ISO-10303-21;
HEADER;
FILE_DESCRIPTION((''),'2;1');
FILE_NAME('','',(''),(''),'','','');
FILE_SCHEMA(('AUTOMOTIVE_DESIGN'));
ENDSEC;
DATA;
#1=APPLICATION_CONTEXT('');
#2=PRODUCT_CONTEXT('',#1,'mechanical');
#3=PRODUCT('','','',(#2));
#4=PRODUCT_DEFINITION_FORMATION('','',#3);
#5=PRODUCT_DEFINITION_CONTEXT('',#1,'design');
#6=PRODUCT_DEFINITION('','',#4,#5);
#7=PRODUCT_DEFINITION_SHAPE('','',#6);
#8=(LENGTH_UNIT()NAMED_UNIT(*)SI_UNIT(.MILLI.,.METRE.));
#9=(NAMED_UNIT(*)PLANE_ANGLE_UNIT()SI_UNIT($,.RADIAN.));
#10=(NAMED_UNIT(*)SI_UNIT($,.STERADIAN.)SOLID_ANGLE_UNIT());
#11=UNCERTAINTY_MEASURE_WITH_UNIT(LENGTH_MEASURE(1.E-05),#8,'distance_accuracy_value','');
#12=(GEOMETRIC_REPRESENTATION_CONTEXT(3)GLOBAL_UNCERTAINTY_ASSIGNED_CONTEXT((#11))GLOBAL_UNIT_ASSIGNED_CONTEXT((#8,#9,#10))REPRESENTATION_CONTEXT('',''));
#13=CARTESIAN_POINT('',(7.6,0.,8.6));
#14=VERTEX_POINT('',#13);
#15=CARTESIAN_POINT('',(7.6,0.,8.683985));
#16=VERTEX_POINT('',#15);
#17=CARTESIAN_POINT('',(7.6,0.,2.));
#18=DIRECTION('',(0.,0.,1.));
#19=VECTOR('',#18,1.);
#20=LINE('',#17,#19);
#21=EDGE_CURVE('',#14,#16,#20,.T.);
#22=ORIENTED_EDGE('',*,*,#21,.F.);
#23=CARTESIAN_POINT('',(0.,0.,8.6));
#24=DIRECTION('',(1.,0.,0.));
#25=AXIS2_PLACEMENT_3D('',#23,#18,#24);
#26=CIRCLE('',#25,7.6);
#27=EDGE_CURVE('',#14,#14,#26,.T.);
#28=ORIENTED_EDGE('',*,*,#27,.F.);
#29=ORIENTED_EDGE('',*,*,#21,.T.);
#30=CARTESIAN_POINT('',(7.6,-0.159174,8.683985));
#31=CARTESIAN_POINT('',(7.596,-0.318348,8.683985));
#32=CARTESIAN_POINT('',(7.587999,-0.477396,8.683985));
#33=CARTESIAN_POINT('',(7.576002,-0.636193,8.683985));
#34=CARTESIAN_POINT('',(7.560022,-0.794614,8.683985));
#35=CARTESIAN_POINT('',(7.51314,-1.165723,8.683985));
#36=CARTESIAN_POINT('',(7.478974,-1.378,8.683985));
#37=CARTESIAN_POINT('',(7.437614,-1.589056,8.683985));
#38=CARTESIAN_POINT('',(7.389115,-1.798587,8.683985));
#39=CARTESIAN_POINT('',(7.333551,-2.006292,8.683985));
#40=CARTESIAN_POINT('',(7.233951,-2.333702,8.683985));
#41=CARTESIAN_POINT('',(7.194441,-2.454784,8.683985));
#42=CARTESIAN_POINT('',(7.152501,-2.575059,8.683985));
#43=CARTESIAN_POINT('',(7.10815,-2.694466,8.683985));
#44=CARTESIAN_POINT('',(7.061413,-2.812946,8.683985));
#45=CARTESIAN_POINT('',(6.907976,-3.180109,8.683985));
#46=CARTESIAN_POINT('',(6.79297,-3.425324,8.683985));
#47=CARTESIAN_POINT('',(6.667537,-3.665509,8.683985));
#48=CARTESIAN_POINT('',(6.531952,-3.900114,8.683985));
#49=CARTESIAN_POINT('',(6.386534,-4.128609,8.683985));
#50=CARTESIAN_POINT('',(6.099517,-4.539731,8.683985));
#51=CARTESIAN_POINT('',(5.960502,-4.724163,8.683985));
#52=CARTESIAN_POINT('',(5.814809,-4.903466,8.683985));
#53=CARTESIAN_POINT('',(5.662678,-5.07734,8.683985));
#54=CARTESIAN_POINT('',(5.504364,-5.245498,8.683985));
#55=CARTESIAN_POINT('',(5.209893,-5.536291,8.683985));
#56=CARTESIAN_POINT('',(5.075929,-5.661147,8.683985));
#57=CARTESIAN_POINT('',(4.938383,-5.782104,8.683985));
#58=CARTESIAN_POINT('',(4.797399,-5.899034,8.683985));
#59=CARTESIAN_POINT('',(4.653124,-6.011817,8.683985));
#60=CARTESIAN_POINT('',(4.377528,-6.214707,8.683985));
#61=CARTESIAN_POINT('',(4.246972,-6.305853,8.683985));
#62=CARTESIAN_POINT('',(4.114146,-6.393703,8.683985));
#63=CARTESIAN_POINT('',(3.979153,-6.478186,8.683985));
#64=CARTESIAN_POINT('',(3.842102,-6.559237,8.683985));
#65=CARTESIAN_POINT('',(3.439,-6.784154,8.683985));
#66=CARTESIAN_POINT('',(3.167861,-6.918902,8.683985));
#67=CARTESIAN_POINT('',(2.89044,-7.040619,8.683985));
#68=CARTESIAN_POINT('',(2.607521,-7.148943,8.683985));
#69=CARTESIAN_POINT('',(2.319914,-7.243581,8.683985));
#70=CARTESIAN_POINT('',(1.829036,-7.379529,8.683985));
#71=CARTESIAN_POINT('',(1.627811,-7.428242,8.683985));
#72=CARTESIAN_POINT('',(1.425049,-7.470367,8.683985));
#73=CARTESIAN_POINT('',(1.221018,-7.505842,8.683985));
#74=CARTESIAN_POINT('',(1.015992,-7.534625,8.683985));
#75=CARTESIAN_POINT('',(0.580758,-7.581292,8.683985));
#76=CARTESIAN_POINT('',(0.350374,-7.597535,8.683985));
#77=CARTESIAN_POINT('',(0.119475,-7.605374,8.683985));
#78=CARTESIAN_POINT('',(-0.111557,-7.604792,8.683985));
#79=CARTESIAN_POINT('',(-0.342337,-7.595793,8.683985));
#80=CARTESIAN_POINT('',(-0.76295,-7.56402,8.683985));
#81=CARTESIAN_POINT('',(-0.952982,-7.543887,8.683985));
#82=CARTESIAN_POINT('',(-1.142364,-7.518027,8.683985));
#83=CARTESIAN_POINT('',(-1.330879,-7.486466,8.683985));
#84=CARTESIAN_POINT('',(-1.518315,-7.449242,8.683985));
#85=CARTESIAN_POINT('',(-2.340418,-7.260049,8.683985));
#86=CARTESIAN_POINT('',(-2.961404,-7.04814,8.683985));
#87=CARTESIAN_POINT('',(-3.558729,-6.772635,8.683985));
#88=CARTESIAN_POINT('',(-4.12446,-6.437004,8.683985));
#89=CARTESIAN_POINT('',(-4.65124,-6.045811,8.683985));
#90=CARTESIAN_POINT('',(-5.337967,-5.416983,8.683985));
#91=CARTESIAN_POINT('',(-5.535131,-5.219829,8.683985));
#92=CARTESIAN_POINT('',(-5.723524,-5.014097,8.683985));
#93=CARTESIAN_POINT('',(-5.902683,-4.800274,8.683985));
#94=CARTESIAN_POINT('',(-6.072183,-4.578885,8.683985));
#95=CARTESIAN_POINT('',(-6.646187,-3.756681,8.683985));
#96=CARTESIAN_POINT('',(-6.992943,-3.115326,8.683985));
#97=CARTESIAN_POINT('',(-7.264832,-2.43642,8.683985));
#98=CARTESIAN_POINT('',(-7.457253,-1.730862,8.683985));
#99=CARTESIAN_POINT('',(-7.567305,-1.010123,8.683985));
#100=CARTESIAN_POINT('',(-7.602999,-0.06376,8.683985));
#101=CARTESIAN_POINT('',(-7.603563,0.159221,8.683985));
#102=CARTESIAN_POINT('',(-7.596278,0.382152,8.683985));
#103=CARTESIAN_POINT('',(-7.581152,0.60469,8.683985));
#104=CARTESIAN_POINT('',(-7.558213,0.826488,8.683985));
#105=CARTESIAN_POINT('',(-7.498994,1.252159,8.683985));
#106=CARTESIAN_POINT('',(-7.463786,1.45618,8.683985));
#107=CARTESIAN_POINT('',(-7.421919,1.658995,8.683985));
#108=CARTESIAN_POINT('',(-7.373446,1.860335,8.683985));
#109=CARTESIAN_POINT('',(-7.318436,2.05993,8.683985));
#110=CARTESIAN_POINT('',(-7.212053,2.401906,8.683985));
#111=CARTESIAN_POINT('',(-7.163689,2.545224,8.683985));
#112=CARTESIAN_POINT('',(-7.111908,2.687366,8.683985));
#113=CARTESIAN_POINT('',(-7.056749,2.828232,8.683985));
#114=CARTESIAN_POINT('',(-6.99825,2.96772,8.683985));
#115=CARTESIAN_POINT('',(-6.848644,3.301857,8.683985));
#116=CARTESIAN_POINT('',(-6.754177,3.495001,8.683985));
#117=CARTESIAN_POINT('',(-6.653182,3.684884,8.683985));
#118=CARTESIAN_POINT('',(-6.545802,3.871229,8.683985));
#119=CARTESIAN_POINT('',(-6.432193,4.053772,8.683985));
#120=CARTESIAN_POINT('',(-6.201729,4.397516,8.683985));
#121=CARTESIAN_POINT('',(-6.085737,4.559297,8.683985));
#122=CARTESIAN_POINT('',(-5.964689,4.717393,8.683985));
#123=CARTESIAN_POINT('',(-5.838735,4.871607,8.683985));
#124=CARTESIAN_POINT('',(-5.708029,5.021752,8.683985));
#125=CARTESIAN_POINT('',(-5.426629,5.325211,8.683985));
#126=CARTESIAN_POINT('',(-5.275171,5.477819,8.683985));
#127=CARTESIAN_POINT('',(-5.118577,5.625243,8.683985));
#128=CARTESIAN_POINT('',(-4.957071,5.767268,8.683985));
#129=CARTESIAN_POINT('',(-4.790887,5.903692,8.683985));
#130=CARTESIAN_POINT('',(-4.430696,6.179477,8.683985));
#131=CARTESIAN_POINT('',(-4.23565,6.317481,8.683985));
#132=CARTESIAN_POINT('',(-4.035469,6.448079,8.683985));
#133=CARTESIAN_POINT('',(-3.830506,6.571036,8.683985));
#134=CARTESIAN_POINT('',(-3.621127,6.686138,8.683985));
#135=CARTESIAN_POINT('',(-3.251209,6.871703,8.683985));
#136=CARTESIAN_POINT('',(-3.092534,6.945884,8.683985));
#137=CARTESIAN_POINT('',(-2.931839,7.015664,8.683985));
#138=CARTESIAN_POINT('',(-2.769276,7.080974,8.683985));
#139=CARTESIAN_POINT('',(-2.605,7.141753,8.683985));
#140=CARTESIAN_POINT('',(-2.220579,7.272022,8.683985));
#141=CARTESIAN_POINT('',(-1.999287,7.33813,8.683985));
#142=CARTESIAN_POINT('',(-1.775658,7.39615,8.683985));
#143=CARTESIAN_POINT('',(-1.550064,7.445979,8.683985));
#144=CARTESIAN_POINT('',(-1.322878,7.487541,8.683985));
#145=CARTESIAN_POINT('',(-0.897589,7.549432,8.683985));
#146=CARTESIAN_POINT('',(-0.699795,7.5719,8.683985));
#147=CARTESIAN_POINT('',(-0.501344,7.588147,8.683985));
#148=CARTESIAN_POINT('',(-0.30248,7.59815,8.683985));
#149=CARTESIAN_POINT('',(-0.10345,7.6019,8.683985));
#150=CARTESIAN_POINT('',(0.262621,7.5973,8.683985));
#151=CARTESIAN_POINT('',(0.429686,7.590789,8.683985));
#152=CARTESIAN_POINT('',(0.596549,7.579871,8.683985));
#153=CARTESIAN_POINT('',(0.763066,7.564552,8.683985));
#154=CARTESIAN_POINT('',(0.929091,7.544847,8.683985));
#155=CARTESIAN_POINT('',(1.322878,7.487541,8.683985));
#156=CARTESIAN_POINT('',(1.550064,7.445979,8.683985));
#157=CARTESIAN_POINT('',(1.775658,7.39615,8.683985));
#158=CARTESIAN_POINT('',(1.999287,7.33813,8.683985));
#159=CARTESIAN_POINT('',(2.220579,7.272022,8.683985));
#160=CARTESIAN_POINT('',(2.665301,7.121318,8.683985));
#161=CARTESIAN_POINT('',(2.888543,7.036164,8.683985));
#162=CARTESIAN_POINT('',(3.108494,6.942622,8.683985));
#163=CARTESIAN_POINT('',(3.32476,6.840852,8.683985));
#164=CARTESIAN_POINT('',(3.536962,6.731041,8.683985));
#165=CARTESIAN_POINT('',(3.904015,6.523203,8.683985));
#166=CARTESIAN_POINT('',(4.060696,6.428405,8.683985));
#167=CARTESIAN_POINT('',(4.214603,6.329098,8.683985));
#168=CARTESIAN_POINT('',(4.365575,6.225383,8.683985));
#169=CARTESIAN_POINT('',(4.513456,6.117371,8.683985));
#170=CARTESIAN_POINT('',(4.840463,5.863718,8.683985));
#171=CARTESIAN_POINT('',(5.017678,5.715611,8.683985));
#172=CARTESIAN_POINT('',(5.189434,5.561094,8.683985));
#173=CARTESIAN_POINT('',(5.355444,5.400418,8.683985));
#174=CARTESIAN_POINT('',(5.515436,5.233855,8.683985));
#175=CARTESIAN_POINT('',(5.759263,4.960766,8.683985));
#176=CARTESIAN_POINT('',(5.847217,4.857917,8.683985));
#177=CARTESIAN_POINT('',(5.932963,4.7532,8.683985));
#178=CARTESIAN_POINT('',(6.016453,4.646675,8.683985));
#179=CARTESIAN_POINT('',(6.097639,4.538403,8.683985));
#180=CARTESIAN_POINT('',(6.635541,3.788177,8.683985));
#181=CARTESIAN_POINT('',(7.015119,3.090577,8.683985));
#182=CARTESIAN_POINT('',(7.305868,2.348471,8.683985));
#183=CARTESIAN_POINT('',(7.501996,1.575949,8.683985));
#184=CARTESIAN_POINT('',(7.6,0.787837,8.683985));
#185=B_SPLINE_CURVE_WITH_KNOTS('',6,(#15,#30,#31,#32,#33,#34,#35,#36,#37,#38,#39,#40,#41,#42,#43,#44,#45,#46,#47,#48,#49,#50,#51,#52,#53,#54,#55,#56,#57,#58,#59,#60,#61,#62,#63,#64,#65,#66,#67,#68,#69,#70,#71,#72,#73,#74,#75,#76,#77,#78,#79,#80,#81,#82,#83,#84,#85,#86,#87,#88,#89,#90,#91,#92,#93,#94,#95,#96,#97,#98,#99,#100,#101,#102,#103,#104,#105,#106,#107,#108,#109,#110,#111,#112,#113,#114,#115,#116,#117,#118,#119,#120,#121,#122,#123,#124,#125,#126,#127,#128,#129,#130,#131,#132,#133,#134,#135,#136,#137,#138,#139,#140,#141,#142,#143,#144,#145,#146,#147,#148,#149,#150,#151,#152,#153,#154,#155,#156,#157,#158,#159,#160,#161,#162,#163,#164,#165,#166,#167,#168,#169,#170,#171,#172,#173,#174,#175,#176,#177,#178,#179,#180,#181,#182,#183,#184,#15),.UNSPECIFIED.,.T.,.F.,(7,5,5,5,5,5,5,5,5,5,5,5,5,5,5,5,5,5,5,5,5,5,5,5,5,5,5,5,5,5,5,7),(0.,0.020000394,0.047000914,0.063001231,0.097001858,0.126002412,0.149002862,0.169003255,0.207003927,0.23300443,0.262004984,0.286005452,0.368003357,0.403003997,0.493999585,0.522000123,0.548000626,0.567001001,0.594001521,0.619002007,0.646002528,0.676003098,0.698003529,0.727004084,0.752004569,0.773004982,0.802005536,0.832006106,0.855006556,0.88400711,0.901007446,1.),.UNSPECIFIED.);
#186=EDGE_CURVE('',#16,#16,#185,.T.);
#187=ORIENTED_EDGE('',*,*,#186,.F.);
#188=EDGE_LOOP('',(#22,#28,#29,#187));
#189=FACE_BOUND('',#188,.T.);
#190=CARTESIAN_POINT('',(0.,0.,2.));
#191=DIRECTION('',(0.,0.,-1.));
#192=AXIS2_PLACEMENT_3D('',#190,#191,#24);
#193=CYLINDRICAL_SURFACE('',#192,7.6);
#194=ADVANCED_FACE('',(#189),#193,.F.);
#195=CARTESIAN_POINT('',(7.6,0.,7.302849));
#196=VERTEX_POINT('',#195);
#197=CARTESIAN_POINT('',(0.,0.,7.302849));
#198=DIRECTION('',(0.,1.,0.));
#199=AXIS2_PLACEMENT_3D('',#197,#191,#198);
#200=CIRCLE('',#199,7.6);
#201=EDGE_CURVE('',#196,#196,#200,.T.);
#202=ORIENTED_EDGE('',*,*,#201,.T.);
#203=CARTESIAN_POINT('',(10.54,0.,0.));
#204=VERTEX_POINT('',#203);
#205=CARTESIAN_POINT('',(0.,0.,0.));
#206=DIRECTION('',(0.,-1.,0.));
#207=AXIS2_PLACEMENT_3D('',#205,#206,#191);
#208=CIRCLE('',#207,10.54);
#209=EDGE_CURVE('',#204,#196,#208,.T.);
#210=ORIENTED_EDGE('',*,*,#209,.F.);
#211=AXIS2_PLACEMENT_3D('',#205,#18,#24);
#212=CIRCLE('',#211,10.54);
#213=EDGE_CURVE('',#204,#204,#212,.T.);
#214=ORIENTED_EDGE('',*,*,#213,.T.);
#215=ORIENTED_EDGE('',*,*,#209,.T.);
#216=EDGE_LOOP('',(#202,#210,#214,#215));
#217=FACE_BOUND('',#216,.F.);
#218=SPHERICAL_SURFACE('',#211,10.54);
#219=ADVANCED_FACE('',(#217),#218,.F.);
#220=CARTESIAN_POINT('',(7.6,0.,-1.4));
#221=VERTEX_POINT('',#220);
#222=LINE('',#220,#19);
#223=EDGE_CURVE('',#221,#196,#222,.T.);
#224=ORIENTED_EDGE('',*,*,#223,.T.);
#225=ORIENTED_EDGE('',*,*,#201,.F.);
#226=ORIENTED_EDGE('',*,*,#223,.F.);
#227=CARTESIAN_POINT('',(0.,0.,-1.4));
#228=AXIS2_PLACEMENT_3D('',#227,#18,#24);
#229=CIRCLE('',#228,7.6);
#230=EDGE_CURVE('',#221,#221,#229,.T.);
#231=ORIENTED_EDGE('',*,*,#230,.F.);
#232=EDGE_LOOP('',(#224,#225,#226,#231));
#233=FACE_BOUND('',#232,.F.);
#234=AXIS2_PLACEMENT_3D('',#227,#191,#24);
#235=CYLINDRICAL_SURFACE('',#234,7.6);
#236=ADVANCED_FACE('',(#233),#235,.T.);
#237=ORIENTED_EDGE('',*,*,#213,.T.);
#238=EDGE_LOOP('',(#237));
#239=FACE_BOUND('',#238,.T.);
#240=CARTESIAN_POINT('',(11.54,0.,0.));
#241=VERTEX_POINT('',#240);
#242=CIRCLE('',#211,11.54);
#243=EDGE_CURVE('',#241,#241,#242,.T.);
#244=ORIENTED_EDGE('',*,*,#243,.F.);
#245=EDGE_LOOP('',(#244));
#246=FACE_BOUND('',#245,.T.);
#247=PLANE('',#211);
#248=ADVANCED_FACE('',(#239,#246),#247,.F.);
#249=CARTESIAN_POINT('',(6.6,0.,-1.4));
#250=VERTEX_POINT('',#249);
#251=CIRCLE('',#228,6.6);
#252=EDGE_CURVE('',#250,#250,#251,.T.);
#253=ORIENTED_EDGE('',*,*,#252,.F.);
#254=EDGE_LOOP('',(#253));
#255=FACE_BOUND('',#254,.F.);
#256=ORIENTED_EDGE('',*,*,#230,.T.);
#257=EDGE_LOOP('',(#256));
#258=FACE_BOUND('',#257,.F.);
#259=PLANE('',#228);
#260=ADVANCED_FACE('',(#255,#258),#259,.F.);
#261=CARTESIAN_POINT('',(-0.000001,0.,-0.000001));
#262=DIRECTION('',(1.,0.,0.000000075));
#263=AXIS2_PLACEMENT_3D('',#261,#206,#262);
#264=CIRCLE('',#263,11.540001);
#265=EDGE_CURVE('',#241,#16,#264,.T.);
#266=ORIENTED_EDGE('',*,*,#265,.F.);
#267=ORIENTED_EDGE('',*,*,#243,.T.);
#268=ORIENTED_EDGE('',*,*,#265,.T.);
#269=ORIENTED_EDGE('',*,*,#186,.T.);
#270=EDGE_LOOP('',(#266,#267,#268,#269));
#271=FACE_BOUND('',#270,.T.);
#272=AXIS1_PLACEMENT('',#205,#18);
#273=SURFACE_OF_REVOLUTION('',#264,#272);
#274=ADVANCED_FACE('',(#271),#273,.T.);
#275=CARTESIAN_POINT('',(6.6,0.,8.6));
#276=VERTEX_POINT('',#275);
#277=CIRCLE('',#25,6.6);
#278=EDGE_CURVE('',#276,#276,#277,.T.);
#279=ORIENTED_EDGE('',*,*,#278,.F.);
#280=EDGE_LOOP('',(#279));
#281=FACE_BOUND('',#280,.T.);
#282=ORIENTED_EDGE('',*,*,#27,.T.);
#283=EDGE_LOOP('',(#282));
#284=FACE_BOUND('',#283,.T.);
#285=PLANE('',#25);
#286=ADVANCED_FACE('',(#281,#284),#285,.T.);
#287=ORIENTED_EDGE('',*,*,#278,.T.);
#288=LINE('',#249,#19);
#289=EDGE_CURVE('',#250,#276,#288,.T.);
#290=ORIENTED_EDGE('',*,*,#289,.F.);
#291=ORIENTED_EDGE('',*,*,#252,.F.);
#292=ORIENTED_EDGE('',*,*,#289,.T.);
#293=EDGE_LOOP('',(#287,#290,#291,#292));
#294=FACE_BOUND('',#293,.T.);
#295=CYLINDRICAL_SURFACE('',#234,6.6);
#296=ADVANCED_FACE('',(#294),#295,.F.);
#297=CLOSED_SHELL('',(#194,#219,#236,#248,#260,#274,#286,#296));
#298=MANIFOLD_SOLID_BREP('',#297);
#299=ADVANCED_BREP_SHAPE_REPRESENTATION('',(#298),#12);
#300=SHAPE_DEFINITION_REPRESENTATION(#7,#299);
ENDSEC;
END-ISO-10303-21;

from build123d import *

# Parameters (mm, degrees)
CYLINDER_R        = 7.6
CYLINDER_DEPTH    = 10
CYLINDER002_R     = 6.6
CYLINDER002_DEPTH = 10
CYLINDER001_R     = 7.6
CYLINDER001_DEPTH = 10


with BuildPart() as esfera001:
    # Sphere001 → Sphere001 (revolve)
    with BuildSketch(Plane.XZ):
        with BuildLine():
            ThreePointArc((0, -10.54), (10.54, 0), (0, 10.54))
            Line((0, 10.54), (0, -10.54))
        make_face()
    revolve(axis=Axis((0, 0, 0), (0, 0, 1)))


with BuildPart() as cilindroparacorte:
    # Cylinder → Cylinder (new body)
    with BuildSketch(Plane.XY.offset(2)):
        Circle(CYLINDER_R)
    extrude(amount=CYLINDER_DEPTH)


with BuildPart() as cut002:
    # Sphere → Sphere (revolve)
    with BuildSketch(Plane.XZ):
        with BuildLine():
            ThreePointArc((11.54, 0), (8.160012, 8.160012), (0, 11.54))
            Line((0, 11.54), (0, 0))
            Line((0, 0), (11.54, 0))
        make_face()
    revolve(axis=Axis((0, 0, 0), (0, 0, 1)))

    # Cut001: cut CilindroParaCorte
    add(cilindroparacorte.part, mode=Mode.SUBTRACT)

    # Cut002: cut Esfera001
    add(esfera001.part, mode=Mode.SUBTRACT)


with BuildPart() as cilindroguia002:
    # Cylinder002 → Cylinder002 (new body)
    with BuildSketch(Plane.XY.offset(2)):
        Circle(CYLINDER002_R)
    extrude(amount=CYLINDER002_DEPTH)


with BuildPart() as fusion:
    # Cylinder001 → Cylinder001 (new body)
    with BuildSketch(Plane.XY.offset(2)):
        Circle(CYLINDER001_R)
    extrude(amount=CYLINDER001_DEPTH)

    # Cut: cut CilindroGuia002
    add(cilindroguia002.part, mode=Mode.SUBTRACT)


with BuildPart() as fusion_1:
    # Cut placement: moved
    add(fusion.part.moved(Location((0, 0, -3.4))))

    # Fusion: union Cut002
    add(cut002.part)


solid = fusion_1.part
